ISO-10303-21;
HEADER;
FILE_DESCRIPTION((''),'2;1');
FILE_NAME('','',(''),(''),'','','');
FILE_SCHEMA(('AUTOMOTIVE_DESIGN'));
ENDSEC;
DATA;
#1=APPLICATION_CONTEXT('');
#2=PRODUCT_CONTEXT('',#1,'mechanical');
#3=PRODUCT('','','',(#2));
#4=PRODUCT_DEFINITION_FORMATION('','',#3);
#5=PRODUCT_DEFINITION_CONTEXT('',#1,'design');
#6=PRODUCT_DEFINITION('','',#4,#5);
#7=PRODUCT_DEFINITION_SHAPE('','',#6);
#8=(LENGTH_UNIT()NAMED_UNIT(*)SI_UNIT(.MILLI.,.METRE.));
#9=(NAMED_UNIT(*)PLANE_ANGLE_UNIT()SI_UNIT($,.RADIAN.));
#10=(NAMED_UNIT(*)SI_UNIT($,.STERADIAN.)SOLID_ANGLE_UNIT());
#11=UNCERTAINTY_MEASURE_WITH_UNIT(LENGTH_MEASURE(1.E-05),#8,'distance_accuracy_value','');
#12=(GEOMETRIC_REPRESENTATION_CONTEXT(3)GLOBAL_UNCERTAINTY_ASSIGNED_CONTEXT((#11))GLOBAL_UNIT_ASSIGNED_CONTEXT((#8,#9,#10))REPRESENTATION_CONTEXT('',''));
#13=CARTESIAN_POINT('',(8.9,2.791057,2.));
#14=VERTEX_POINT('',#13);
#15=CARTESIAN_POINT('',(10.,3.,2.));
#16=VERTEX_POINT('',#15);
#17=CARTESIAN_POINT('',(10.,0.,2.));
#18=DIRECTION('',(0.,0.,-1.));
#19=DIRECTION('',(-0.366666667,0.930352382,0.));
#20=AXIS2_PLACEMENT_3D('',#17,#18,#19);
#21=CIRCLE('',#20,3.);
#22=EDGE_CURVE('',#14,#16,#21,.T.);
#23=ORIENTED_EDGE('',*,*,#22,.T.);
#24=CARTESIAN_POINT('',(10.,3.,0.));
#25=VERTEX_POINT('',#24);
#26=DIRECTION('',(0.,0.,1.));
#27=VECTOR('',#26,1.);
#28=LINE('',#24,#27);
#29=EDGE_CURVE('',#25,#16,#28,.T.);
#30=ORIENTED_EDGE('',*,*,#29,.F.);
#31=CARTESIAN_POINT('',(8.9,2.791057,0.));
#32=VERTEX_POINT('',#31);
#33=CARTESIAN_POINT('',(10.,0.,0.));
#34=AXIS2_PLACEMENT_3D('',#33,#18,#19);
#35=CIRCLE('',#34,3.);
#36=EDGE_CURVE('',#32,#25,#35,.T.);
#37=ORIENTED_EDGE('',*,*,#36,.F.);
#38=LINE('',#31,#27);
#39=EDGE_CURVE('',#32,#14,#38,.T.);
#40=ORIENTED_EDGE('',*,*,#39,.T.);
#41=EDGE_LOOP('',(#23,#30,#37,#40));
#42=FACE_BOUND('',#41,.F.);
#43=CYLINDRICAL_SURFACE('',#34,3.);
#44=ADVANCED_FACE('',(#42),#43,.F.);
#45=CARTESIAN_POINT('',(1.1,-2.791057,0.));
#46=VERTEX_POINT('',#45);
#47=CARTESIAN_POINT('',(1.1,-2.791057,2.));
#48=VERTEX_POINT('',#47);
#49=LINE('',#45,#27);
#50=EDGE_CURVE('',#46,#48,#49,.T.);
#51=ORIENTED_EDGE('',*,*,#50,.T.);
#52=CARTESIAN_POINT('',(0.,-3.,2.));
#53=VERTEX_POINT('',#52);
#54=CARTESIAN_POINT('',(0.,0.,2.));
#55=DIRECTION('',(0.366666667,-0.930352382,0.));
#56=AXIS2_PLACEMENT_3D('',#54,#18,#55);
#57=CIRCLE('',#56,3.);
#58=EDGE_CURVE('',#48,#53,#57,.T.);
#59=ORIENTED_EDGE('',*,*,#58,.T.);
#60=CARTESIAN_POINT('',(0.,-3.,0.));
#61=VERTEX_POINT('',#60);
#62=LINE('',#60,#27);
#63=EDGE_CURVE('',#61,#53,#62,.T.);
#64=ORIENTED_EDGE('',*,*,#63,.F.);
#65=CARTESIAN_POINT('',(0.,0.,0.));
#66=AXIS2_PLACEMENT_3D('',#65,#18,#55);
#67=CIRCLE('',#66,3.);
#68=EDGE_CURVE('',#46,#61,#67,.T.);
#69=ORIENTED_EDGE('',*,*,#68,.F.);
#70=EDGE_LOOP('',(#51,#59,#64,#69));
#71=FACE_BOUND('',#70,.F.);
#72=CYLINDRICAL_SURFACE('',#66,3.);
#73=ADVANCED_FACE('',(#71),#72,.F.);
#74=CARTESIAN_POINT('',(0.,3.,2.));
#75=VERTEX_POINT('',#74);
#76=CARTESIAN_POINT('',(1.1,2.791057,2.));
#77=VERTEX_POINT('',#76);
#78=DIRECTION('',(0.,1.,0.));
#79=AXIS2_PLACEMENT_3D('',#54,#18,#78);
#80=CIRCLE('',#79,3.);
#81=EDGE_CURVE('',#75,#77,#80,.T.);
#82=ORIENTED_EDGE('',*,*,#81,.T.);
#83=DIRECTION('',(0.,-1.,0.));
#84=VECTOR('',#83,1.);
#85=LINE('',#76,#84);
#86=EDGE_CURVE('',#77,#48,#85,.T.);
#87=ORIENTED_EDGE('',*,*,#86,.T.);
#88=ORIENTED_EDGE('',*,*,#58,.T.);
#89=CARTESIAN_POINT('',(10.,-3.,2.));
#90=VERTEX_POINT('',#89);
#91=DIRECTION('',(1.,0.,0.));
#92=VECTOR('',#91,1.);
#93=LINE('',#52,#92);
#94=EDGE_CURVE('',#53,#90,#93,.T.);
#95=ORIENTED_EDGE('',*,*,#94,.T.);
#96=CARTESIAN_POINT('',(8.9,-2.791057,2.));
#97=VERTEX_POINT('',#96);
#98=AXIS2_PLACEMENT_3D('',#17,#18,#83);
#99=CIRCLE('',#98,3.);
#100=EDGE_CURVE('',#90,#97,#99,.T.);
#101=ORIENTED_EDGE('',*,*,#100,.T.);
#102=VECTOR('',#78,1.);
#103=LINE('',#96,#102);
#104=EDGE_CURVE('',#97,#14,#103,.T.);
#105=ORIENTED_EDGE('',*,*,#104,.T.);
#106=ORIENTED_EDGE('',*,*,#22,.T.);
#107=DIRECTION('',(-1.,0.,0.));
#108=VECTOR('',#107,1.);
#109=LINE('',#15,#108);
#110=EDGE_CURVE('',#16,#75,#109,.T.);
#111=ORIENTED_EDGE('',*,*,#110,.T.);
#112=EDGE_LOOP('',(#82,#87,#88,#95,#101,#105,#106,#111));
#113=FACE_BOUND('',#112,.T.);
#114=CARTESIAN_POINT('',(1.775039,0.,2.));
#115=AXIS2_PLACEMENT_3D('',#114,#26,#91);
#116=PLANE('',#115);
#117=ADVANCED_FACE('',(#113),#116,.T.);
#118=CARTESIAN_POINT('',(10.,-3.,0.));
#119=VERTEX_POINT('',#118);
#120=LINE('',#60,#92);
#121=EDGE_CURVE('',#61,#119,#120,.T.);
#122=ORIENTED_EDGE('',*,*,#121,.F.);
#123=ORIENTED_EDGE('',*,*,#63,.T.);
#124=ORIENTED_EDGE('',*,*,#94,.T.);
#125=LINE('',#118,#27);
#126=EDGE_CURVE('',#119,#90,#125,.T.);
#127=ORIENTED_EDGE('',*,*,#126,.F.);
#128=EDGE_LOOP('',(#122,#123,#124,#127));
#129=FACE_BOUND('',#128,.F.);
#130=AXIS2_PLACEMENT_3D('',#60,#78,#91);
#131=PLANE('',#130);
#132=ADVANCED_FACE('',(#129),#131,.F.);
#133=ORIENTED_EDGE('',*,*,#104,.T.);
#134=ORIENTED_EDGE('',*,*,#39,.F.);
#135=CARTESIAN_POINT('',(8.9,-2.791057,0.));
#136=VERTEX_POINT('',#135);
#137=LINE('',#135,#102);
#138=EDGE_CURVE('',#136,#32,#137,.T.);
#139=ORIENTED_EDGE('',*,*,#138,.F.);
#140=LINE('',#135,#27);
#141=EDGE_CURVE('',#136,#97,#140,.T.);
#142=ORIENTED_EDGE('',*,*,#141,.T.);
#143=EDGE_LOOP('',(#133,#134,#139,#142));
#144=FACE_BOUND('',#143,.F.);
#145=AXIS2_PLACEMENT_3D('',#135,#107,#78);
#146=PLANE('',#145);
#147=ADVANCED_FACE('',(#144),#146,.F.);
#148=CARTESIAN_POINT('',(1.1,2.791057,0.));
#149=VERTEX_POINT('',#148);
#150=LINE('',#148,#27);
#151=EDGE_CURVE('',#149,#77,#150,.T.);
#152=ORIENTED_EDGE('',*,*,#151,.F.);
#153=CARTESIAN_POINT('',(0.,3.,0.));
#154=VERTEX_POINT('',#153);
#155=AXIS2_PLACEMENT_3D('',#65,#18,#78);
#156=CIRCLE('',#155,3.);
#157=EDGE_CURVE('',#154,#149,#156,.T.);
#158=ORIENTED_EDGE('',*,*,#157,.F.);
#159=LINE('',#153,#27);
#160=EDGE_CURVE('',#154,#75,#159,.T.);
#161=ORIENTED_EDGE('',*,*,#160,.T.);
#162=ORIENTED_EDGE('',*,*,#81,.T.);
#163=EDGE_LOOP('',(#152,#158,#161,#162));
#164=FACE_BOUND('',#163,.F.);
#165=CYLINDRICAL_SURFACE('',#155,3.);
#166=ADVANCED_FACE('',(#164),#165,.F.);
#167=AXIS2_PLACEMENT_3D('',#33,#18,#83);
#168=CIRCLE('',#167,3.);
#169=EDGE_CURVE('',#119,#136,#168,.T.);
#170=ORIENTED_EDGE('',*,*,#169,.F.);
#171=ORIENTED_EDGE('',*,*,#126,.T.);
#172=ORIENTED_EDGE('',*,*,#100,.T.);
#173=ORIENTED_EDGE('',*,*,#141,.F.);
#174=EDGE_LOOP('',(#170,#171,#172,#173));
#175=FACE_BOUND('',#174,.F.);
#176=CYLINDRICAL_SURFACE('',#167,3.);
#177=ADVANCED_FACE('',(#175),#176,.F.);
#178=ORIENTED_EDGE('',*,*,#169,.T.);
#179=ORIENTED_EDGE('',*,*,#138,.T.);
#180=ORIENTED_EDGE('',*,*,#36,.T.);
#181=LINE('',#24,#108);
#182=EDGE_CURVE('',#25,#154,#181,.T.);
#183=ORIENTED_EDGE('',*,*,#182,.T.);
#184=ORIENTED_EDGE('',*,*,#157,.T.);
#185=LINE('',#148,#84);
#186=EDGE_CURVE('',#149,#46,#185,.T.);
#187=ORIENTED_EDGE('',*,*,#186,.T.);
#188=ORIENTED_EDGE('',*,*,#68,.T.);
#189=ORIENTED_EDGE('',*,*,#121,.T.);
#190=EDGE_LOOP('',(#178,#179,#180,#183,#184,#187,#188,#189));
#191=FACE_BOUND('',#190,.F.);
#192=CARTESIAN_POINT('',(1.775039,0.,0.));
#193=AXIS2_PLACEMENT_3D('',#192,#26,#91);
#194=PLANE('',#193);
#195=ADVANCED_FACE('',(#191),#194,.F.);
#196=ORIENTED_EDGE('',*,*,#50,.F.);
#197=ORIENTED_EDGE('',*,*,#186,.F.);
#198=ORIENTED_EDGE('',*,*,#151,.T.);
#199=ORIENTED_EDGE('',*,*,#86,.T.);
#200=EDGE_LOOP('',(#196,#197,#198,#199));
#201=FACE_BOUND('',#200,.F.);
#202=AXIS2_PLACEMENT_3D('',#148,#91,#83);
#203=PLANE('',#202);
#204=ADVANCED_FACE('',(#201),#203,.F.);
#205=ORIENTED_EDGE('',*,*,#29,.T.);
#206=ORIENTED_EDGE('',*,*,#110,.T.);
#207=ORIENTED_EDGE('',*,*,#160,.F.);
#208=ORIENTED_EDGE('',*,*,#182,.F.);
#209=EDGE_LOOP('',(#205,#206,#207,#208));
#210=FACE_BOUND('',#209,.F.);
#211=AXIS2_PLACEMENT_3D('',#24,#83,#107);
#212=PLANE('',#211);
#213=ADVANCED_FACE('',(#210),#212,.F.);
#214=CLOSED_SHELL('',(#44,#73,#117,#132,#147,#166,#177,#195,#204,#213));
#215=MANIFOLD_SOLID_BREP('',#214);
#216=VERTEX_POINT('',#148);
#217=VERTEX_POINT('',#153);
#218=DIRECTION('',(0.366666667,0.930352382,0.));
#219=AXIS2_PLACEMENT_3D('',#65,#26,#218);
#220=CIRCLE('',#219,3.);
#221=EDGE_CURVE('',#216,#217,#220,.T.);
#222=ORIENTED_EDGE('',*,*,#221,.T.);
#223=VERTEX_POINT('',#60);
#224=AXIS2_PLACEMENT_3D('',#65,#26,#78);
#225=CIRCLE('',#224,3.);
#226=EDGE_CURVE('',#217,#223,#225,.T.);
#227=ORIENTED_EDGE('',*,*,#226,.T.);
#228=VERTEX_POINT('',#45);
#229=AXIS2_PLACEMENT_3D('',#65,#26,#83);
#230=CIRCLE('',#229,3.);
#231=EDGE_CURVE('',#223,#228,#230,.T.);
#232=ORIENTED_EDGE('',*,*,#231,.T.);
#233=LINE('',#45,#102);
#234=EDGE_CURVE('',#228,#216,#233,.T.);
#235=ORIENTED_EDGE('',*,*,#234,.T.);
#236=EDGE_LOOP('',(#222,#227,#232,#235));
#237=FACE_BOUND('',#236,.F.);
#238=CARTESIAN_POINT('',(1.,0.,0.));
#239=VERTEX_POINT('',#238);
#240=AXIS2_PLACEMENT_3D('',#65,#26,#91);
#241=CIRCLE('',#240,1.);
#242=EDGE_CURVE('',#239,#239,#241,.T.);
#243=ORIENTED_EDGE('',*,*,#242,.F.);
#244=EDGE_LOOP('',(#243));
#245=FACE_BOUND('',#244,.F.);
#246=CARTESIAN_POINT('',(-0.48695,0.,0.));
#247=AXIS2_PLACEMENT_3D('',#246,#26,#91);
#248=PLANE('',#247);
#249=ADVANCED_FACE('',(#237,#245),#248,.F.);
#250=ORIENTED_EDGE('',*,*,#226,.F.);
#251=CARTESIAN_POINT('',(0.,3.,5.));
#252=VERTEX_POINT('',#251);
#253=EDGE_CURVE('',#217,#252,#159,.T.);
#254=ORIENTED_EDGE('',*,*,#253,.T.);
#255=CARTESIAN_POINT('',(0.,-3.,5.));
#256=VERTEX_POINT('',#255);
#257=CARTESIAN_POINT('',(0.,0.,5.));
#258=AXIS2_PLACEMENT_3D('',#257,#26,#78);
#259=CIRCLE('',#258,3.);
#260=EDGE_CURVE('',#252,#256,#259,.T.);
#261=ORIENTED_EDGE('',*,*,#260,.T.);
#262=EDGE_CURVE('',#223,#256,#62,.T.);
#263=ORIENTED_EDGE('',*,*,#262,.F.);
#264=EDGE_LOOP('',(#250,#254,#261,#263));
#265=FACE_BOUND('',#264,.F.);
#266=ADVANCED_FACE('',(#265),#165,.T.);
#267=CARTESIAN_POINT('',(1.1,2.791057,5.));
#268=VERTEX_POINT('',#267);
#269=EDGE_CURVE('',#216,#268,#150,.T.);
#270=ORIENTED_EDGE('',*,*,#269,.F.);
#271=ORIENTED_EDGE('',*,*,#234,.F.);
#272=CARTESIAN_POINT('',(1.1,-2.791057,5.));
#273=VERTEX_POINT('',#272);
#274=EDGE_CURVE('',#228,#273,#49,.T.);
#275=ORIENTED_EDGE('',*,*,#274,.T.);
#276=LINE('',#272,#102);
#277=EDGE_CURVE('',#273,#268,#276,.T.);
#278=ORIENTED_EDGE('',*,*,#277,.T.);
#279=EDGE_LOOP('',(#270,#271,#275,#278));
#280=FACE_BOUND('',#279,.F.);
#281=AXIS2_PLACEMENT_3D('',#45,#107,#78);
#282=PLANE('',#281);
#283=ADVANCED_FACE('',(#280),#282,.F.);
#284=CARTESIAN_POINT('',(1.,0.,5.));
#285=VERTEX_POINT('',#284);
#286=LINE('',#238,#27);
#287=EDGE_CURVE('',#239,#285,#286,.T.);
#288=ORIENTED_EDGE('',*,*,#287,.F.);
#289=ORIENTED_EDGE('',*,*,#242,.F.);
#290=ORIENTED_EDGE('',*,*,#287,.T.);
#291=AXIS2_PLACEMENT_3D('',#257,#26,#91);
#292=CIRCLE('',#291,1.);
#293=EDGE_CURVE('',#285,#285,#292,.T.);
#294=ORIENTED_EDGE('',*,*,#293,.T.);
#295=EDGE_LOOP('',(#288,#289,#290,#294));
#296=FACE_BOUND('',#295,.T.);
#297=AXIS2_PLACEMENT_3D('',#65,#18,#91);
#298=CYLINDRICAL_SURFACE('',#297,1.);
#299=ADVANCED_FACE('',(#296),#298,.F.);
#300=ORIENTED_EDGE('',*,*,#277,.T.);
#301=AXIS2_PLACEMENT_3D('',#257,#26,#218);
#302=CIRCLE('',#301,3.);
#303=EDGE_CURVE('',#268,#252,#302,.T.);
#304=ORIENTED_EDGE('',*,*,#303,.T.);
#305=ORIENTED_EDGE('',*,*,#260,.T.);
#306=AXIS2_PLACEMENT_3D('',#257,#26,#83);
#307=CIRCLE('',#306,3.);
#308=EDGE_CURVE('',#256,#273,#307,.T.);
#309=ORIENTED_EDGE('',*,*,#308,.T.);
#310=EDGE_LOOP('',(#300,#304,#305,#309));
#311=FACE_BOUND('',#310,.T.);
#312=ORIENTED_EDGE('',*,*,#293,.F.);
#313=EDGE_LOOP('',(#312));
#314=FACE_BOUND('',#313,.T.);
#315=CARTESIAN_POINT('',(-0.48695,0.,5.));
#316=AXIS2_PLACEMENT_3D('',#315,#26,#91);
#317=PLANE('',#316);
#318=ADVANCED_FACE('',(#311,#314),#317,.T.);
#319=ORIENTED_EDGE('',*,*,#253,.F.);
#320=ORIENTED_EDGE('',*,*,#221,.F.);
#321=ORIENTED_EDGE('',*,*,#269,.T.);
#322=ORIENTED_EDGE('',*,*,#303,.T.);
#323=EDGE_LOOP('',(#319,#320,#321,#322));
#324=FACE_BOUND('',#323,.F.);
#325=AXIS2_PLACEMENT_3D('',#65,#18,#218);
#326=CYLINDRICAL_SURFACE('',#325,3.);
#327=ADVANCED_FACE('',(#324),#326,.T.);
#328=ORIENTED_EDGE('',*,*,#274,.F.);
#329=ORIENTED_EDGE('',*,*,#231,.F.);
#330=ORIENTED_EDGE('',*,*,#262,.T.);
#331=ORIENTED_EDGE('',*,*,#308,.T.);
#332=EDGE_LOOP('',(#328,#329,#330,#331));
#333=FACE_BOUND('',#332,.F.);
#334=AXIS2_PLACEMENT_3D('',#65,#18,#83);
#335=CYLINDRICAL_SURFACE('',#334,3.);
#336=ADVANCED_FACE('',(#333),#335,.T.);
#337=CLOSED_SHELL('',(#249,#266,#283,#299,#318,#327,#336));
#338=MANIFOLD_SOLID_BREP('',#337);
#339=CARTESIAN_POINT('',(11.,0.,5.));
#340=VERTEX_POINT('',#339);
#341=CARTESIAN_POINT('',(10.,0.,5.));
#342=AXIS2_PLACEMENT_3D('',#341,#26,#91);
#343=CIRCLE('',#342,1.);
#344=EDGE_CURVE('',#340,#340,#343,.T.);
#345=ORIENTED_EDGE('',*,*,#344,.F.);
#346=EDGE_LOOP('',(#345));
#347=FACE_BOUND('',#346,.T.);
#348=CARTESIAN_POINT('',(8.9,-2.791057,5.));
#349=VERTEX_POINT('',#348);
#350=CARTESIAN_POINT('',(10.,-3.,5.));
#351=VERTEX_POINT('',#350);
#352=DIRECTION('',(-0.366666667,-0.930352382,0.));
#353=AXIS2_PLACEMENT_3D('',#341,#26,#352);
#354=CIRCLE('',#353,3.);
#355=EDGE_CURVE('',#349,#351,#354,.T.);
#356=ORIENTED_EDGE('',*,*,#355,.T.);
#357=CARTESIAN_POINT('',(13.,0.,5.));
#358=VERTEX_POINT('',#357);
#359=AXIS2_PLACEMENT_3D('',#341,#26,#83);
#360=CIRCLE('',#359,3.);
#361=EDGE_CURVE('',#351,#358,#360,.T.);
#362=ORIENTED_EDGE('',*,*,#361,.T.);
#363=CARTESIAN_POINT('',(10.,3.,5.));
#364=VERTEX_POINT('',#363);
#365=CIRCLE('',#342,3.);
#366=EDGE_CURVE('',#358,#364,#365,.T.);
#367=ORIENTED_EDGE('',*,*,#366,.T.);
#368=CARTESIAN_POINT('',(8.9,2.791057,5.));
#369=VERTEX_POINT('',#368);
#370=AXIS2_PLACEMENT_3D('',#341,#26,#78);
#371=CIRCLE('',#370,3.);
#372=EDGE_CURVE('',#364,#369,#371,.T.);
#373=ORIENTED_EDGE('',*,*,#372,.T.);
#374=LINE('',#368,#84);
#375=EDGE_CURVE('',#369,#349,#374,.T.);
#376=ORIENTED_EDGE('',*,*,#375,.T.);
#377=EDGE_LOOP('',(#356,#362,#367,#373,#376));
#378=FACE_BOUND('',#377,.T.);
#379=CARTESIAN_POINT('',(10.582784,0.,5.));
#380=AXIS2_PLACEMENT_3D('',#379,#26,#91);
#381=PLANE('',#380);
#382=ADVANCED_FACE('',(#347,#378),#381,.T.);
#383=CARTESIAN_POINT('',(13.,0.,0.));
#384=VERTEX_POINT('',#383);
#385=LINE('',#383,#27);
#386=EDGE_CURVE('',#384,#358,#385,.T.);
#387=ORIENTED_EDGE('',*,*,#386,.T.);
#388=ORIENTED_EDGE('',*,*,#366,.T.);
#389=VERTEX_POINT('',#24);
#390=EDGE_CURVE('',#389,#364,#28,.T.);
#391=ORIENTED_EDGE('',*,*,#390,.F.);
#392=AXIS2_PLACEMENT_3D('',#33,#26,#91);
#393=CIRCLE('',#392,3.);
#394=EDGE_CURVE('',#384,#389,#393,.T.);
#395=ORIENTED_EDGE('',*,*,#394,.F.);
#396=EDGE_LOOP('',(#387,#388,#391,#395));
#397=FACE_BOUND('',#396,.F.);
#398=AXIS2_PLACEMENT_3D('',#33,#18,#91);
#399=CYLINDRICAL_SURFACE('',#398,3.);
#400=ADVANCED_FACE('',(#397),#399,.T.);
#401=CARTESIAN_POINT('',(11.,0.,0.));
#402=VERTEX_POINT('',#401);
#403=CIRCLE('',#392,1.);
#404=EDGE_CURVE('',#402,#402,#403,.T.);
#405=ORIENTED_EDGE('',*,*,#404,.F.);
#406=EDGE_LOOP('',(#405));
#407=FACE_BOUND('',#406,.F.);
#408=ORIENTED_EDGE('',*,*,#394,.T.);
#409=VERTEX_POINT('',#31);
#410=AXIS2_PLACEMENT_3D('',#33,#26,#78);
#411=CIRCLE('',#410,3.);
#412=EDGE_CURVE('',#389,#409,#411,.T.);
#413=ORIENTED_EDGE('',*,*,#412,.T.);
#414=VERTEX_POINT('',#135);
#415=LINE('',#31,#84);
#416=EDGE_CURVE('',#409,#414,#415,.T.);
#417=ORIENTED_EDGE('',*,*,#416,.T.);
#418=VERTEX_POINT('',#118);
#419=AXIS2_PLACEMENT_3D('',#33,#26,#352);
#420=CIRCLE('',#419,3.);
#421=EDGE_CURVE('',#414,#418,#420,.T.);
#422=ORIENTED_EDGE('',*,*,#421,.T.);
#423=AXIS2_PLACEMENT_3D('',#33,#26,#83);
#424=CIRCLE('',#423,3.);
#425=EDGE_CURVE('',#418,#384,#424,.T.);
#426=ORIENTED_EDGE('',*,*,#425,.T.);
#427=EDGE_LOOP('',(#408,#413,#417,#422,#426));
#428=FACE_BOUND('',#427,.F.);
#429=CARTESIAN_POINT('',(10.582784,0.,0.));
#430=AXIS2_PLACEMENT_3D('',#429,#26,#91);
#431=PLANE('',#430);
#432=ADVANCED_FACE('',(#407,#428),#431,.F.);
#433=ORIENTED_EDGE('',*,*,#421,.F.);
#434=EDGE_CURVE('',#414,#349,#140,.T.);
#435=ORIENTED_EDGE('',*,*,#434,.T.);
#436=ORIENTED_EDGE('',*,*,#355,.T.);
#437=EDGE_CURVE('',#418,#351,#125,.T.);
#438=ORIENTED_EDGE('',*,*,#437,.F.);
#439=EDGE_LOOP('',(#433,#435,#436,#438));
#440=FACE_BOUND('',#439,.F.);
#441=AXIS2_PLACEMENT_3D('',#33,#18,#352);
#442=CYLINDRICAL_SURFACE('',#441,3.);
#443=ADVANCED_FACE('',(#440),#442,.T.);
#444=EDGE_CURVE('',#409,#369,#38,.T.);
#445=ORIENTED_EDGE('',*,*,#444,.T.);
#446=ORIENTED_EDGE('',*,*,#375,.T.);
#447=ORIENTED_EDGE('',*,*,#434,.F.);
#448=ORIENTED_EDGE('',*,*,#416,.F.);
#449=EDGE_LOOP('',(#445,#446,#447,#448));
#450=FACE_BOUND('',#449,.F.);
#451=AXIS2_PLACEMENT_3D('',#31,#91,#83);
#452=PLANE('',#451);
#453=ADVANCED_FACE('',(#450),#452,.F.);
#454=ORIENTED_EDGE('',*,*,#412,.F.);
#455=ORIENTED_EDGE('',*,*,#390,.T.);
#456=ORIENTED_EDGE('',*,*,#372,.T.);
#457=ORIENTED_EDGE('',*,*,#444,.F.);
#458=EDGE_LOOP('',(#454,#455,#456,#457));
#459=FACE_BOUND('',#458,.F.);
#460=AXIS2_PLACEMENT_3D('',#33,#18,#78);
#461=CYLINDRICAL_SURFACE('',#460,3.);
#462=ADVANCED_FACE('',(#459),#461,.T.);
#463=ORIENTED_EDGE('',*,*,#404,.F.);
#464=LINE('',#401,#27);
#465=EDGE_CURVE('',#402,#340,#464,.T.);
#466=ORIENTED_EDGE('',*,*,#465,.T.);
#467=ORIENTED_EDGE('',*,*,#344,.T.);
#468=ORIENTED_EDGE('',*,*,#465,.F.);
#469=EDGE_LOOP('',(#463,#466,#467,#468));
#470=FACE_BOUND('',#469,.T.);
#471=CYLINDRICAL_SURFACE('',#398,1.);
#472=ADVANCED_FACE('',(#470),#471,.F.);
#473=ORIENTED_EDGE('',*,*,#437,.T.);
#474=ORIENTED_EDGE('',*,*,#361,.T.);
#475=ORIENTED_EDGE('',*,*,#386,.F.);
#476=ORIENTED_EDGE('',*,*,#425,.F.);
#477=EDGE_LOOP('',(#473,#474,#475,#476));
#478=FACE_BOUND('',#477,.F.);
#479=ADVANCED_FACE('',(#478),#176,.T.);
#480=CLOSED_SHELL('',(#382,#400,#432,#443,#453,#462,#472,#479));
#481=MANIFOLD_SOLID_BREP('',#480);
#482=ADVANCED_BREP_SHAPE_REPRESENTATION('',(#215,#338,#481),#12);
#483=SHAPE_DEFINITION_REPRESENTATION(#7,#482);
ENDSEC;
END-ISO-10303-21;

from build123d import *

# Parameters (mm, degrees)
F0_R     = 1
F1_DEPTH = 5
F2_DEPTH = 2


with BuildPart() as f1:
    # F0 (on Top) → F1 (new body)
    with BuildSketch(Plane.XY):
        with BuildLine():
            Line((1.1, -2.7910571474), (1.1, 2.7910571474))
            ThreePointArc((1.1, 2.7910571474), (0.559834153, 2.9473014303), (0, 3))
            ThreePointArc((0, 3), (-3, 0), (0, -3))
            ThreePointArc((0, -3), (0.559834153, -2.9473014303), (1.1, -2.7910571474))
        make_face()
        Circle(F0_R, mode=Mode.SUBTRACT)
    extrude(amount=F1_DEPTH)


with BuildPart() as f1b:
    # F0 (on Top) → F1, piece 2 (new body)
    with BuildSketch(Plane.XY):
        with BuildLine():
            ThreePointArc((13, 0), (12.1213203436, 2.1213203436), (10, 3))
            ThreePointArc((10, 3), (9.440165847, 2.9473014303), (8.9, 2.7910571474))
            Line((8.9, 2.7910571474), (8.9, -2.7910571474))
            ThreePointArc((8.9, -2.7910571474), (9.440165847, -2.9473014303), (10, -3))
            ThreePointArc((10, -3), (12.1213203436, -2.1213203436), (13, 0))
        make_face()
        with Locations((10, 0)):
            Circle(F0_R, mode=Mode.SUBTRACT)
    extrude(amount=F1_DEPTH)


with BuildPart() as f2:
    # F0 (on Top) → F2 (new body)
    with BuildSketch(Plane.XY):
        with BuildLine():
            ThreePointArc((1.1, -2.7910571474), (2.4799193535, -1.6881943016), (3, 0))
            ThreePointArc((3, 0), (2.4799193535, 1.6881943016), (1.1, 2.7910571474))
            Line((1.1, 2.7910571474), (1.1, -2.7910571474))
        make_face()
        with BuildLine():
            ThreePointArc((1.1, 2.7910571474), (2.4799193535, 1.6881943016), (3, 0))
            ThreePointArc((3, 0), (2.4799193535, -1.6881943016), (1.1, -2.7910571474))
            ThreePointArc((1.1, -2.7910571474), (0.559834153, -2.9473014303), (0, -3))
            Line((0, -3), (5, -3))
            Line((5, -3), (5, 3))
            Line((5, 3), (0, 3))
            ThreePointArc((0, 3), (0.559834153, 2.9473014303), (1.1, 2.7910571474))
        make_face()
        with BuildLine():
            Line((10, 3), (5, 3))
            Line((5, 3), (5, -3))
            Line((5, -3), (10, -3))
            ThreePointArc((10, -3), (9.440165847, -2.9473014303), (8.9, -2.7910571474))
            ThreePointArc((8.9, -2.7910571474), (7, 0), (8.9, 2.7910571474))
            ThreePointArc((8.9, 2.7910571474), (9.440165847, 2.9473014303), (10, 3))
        make_face()
        with BuildLine():
            Line((8.9, -2.7910571474), (8.9, 2.7910571474))
            ThreePointArc((8.9, 2.7910571474), (7, 0), (8.9, -2.7910571474))
        make_face()
    extrude(amount=F2_DEPTH)


solid = Compound([f1.part, f1b.part, f2.part])
